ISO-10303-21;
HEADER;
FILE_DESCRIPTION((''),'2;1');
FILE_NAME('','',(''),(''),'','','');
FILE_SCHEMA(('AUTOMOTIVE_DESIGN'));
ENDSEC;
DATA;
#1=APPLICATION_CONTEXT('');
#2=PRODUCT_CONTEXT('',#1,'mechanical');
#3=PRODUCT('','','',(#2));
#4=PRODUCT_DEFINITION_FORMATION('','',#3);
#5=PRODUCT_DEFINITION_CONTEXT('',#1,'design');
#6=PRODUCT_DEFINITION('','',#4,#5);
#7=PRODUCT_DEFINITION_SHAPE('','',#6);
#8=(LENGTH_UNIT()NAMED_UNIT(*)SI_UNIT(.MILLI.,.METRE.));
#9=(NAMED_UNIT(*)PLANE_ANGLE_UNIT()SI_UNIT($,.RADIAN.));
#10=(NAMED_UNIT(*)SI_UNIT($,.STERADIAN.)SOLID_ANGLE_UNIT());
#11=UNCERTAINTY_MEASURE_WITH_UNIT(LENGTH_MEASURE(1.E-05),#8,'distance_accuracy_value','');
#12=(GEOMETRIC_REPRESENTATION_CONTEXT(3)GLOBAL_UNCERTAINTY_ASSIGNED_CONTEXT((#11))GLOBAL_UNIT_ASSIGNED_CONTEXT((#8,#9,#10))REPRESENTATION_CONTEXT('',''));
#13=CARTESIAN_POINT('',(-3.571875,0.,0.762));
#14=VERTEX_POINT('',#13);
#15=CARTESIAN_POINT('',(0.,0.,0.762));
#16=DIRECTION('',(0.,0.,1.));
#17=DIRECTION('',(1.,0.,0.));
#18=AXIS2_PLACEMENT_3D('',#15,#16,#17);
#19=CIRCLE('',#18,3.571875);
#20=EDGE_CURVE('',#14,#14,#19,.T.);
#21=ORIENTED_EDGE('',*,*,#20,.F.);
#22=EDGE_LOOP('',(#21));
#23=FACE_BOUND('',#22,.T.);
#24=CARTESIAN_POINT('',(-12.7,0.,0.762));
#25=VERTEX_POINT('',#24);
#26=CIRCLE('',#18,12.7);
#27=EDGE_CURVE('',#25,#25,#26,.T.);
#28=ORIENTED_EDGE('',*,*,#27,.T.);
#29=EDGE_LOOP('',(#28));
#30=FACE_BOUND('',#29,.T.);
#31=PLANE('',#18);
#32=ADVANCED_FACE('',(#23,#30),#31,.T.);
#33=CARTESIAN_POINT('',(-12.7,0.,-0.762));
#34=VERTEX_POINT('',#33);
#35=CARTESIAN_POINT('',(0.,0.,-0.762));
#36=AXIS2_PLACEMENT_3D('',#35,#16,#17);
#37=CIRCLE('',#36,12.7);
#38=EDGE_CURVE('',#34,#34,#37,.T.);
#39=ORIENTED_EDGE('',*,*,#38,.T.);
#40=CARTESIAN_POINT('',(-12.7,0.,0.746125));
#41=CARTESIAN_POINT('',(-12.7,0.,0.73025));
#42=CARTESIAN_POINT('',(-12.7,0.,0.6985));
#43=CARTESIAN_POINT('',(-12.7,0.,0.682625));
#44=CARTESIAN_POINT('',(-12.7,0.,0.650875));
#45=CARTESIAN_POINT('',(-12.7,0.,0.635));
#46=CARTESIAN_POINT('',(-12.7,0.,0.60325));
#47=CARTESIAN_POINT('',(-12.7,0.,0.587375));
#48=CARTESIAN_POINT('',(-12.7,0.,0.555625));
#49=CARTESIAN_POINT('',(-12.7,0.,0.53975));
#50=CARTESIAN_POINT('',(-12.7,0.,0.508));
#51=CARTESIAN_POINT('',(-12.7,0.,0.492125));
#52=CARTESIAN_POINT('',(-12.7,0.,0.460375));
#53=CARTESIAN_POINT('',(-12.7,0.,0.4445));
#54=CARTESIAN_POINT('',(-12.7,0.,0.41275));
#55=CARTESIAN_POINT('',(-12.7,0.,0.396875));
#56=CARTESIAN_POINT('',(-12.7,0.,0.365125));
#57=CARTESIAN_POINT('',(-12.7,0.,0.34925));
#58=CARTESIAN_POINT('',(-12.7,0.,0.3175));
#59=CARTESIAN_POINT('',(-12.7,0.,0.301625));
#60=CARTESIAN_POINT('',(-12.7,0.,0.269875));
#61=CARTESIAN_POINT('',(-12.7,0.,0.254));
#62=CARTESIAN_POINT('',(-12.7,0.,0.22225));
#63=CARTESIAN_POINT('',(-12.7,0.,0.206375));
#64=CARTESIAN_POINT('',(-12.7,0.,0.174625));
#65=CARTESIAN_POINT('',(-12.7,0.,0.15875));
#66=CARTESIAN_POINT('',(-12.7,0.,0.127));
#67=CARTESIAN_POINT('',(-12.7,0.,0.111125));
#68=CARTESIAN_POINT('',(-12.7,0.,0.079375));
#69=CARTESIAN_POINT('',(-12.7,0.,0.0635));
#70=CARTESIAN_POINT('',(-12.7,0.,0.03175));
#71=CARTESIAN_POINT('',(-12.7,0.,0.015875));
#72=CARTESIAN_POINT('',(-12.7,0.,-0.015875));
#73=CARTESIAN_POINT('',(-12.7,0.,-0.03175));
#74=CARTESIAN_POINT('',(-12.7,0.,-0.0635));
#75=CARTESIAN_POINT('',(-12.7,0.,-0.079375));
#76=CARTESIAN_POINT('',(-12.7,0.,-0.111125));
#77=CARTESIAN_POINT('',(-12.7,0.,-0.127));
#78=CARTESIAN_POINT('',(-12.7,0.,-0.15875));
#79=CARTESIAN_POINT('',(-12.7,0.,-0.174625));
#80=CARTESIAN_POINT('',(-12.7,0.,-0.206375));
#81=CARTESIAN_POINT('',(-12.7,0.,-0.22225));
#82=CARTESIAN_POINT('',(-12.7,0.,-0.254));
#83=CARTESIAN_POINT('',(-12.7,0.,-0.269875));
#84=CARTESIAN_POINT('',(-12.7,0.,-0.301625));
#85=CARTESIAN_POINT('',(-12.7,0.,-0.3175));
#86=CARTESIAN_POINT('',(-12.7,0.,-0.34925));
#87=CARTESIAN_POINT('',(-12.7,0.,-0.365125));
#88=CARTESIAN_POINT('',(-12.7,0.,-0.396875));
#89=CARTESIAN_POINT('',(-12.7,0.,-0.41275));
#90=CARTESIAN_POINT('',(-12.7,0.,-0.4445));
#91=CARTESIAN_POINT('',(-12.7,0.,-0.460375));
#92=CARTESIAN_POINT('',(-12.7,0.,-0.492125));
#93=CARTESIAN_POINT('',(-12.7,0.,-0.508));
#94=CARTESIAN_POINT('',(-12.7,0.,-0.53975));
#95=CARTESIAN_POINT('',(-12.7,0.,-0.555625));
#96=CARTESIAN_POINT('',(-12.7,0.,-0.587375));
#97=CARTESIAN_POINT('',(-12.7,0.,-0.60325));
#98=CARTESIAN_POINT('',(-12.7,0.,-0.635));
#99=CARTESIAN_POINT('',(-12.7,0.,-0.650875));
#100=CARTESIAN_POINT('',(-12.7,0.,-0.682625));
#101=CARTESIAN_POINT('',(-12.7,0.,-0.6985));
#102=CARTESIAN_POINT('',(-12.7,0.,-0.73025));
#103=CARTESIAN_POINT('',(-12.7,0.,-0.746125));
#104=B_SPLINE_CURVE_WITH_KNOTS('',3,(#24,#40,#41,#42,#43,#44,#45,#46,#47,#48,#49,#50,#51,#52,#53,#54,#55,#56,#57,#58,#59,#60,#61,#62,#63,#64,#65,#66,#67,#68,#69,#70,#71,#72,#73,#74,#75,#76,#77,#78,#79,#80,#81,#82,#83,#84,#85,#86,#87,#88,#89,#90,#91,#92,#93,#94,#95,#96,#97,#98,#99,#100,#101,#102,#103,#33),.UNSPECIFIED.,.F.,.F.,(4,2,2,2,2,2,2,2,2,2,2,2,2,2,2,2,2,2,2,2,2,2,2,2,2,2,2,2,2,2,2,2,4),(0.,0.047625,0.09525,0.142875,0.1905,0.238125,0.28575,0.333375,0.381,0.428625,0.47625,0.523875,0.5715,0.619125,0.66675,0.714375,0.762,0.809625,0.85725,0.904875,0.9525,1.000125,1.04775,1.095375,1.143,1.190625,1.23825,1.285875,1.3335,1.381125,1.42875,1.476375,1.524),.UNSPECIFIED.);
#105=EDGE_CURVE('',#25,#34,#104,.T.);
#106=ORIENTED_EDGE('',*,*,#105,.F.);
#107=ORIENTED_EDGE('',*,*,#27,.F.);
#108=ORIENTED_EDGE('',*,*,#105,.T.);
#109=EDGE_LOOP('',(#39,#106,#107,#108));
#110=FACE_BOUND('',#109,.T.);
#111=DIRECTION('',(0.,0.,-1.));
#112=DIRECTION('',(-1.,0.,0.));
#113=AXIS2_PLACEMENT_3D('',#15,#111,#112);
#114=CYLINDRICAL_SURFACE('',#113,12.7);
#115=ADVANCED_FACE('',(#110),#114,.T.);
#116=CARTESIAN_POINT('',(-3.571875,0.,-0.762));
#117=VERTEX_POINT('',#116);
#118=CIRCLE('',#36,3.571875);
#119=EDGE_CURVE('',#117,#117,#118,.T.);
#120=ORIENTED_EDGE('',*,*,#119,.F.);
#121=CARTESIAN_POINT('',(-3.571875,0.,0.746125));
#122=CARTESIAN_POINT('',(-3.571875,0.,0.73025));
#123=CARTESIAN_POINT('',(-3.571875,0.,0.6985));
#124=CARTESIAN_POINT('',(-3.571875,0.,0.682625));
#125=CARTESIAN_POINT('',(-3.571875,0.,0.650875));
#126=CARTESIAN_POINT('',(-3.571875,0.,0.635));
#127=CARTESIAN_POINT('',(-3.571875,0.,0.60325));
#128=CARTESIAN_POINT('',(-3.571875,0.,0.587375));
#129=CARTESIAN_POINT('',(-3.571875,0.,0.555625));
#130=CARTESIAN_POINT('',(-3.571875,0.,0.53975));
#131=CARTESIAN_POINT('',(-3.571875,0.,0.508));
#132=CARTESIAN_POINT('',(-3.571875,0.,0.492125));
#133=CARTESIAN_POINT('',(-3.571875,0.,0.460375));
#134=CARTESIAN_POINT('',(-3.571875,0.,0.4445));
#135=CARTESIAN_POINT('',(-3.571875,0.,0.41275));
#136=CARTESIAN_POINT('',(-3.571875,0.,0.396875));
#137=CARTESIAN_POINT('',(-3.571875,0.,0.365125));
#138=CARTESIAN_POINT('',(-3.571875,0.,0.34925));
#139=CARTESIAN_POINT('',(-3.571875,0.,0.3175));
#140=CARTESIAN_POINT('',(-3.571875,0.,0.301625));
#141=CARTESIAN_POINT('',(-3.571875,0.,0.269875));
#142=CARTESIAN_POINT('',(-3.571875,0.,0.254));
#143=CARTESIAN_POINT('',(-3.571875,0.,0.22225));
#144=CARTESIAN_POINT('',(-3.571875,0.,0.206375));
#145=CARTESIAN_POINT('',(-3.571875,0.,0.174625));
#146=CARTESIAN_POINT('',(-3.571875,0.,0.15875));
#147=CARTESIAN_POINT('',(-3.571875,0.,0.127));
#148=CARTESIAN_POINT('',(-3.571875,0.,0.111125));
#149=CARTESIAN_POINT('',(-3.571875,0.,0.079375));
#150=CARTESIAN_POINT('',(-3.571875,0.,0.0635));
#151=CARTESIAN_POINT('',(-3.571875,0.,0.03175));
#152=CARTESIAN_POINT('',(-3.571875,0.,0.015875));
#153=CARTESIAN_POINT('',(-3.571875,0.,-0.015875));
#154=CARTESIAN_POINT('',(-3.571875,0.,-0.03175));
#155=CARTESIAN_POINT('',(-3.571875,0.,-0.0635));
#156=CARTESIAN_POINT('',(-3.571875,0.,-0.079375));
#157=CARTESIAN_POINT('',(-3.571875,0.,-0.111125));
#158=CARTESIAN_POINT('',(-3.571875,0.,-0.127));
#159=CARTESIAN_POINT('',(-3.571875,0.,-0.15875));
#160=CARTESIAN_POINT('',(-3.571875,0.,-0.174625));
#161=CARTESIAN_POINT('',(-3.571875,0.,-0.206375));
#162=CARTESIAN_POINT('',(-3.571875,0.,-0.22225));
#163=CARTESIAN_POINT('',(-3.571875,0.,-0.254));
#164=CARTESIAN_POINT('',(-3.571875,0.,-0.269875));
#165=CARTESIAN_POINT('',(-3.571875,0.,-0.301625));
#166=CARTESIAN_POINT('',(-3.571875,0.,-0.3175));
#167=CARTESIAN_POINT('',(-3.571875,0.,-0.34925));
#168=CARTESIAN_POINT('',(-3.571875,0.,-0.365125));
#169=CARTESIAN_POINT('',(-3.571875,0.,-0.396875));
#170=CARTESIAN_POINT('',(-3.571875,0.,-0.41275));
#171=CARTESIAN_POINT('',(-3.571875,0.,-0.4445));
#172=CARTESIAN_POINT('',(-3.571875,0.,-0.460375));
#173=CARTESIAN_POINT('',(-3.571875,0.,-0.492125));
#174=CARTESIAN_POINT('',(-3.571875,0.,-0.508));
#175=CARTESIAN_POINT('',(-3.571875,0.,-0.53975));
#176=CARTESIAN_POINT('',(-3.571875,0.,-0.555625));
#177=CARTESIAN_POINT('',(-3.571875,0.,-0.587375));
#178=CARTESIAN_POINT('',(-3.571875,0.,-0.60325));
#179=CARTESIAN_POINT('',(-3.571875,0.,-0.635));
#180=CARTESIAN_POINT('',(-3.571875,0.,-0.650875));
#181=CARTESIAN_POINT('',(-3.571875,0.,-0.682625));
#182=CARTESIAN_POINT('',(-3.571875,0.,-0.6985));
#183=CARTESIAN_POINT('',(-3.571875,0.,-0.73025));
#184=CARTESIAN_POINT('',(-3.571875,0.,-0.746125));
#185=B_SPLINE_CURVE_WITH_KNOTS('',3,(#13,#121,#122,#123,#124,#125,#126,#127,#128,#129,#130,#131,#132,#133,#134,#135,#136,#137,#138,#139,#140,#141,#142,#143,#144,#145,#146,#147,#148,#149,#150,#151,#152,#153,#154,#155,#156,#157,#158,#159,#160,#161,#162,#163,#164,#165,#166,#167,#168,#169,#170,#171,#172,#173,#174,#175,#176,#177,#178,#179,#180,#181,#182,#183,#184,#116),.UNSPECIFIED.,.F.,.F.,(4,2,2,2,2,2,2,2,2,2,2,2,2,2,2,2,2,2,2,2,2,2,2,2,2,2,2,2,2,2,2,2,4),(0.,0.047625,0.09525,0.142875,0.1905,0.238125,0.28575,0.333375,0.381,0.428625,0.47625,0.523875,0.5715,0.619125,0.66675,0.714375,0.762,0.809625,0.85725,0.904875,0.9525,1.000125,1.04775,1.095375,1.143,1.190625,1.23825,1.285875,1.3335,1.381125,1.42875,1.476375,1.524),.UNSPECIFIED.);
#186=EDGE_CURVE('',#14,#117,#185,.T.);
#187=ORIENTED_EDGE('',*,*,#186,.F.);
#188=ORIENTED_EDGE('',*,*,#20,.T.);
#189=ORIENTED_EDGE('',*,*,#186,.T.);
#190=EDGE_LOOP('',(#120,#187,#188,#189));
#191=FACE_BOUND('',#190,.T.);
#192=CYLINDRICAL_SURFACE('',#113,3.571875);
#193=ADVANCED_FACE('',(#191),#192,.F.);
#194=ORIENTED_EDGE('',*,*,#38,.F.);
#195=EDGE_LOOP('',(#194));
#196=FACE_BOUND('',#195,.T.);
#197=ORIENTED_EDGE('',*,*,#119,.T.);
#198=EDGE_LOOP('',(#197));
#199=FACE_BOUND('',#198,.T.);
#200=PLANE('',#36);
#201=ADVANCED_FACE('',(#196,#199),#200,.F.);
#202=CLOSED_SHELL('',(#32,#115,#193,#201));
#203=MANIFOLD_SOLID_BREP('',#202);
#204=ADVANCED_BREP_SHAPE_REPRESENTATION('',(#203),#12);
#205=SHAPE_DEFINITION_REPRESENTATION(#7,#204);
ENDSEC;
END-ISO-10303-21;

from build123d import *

# Parameters (mm, degrees)
SKETCH1_R           = 12.7
SKETCH1_R_2         = 3.571875
BOSS_EXTRUDE1_DEPTH = 0.762


with BuildPart() as part:
    # Sketch1 → Boss-Extrude1 (new, symmetric)
    with BuildSketch(Plane.XY):
        Circle(SKETCH1_R)
        Circle(SKETCH1_R_2, mode=Mode.SUBTRACT)
    extrude(amount=BOSS_EXTRUDE1_DEPTH, both=True)


solid = part.part
